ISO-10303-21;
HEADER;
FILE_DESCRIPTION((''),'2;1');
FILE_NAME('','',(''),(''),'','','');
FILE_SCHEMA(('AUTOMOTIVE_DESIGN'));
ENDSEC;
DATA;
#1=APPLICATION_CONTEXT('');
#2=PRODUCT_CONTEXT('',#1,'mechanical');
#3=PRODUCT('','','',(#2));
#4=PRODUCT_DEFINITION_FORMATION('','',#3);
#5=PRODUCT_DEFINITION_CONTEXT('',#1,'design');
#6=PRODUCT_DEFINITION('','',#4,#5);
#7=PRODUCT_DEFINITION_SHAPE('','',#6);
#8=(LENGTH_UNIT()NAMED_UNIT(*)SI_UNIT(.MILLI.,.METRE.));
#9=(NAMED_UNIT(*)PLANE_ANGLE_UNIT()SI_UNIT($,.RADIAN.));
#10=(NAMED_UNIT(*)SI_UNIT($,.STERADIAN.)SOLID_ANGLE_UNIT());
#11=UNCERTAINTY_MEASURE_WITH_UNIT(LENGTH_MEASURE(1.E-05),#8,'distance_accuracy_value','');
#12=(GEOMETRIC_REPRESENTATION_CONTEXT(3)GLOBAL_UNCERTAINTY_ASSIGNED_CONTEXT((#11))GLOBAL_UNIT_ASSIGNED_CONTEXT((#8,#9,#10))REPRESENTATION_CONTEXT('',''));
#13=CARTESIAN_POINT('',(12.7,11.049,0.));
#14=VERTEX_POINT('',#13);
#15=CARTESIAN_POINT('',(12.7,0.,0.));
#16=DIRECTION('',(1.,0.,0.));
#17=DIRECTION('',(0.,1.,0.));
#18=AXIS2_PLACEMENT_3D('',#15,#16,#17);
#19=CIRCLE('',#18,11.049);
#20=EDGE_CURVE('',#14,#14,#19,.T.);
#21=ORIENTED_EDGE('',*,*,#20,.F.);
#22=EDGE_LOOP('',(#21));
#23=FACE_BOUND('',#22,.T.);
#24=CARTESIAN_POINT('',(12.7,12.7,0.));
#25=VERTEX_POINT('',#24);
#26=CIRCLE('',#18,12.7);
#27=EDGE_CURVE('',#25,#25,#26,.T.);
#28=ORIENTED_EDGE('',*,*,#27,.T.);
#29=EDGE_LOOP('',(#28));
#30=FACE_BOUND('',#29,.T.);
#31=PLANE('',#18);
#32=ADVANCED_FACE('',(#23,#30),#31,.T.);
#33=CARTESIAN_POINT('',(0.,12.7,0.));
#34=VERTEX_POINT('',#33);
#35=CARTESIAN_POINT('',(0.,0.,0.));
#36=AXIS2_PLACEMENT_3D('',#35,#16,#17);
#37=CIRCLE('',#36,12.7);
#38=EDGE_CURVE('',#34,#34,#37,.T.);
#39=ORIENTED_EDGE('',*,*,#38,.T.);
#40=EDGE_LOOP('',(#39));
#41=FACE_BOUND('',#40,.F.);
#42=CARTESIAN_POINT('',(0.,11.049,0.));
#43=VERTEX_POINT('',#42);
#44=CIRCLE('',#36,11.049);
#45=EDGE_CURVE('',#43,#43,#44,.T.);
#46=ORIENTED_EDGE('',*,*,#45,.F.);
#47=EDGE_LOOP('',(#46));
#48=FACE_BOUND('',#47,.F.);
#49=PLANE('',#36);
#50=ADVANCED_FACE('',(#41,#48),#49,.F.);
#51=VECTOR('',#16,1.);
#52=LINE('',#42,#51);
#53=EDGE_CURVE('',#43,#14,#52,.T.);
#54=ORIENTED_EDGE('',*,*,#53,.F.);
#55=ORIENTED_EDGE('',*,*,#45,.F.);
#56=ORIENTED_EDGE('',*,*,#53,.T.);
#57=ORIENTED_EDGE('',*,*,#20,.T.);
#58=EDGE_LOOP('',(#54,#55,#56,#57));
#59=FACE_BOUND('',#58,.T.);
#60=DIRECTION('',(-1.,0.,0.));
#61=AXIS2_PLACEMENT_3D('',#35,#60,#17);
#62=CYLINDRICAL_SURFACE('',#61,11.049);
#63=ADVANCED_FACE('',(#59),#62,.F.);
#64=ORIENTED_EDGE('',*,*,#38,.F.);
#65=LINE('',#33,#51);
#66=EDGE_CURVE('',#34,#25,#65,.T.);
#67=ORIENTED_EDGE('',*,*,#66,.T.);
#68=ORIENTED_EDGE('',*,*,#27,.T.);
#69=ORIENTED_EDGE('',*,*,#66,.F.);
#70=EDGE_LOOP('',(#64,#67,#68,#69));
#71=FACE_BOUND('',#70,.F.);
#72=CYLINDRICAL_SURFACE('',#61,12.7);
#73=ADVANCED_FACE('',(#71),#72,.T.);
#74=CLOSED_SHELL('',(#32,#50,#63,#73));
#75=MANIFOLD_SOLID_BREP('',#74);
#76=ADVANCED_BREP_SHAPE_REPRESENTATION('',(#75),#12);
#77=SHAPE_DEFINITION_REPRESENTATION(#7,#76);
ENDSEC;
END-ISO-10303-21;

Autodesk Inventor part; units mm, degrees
ref_plane "XZ Plane" through (0, 0, 0) normal (0, 1, 0) x (-1, 0, 0)
ref_plane "Start Plane" through (0, 0, 0) normal (1, 0, 0) x (0, 1, 0)
ref_plane "End Plane" through (12.7, 0, 0) normal (1, 0, 0) x (0, 1, 0)
sketch "Sketch" plane through (0, 0, 0) normal (1, 0, 0) x (0, 1, 0)
  circle A0 centre (0, 0) radius 12.7
  circle A1 centre (0, 0) radius 11.049
  dimension "d0" = 25.4
  dimension "d1" = 1.651
extrude "Body" add sketch "Sketch" along normal up to surface (12.7 mm away) from surface at 0
sketch "Sketch2" plane through (0, 0, 0) normal (1, 0, 0) x (0, 1, 0)
  line L0 (0, 0) -> (10, 0)
ref_plane "Work Plane3" through (0, 0, 0) normal (0, 0, -1) x (0, 1, 0)
sketch "Sketch3" plane through (0, 0, 0) normal (0, 0, -1) x (0, 1, 0)
  line L0 (-2, 0) -> (12, 0)
  line L1 (-2, 12.7) -> (12, 12.7)
  dimension "d9" = 12.7
equation "\"G_OFFSET_START\" = 0"
equation "\"G_OFFSET_END\" = 0"
equation "\"d5\" = d2 + G_OFFSET_END"
equation "\"G_L\" = d9"
equation "\"d2\" = 12.7"
properties part number "4130_1x0.065" material "Steel, Alloy"
